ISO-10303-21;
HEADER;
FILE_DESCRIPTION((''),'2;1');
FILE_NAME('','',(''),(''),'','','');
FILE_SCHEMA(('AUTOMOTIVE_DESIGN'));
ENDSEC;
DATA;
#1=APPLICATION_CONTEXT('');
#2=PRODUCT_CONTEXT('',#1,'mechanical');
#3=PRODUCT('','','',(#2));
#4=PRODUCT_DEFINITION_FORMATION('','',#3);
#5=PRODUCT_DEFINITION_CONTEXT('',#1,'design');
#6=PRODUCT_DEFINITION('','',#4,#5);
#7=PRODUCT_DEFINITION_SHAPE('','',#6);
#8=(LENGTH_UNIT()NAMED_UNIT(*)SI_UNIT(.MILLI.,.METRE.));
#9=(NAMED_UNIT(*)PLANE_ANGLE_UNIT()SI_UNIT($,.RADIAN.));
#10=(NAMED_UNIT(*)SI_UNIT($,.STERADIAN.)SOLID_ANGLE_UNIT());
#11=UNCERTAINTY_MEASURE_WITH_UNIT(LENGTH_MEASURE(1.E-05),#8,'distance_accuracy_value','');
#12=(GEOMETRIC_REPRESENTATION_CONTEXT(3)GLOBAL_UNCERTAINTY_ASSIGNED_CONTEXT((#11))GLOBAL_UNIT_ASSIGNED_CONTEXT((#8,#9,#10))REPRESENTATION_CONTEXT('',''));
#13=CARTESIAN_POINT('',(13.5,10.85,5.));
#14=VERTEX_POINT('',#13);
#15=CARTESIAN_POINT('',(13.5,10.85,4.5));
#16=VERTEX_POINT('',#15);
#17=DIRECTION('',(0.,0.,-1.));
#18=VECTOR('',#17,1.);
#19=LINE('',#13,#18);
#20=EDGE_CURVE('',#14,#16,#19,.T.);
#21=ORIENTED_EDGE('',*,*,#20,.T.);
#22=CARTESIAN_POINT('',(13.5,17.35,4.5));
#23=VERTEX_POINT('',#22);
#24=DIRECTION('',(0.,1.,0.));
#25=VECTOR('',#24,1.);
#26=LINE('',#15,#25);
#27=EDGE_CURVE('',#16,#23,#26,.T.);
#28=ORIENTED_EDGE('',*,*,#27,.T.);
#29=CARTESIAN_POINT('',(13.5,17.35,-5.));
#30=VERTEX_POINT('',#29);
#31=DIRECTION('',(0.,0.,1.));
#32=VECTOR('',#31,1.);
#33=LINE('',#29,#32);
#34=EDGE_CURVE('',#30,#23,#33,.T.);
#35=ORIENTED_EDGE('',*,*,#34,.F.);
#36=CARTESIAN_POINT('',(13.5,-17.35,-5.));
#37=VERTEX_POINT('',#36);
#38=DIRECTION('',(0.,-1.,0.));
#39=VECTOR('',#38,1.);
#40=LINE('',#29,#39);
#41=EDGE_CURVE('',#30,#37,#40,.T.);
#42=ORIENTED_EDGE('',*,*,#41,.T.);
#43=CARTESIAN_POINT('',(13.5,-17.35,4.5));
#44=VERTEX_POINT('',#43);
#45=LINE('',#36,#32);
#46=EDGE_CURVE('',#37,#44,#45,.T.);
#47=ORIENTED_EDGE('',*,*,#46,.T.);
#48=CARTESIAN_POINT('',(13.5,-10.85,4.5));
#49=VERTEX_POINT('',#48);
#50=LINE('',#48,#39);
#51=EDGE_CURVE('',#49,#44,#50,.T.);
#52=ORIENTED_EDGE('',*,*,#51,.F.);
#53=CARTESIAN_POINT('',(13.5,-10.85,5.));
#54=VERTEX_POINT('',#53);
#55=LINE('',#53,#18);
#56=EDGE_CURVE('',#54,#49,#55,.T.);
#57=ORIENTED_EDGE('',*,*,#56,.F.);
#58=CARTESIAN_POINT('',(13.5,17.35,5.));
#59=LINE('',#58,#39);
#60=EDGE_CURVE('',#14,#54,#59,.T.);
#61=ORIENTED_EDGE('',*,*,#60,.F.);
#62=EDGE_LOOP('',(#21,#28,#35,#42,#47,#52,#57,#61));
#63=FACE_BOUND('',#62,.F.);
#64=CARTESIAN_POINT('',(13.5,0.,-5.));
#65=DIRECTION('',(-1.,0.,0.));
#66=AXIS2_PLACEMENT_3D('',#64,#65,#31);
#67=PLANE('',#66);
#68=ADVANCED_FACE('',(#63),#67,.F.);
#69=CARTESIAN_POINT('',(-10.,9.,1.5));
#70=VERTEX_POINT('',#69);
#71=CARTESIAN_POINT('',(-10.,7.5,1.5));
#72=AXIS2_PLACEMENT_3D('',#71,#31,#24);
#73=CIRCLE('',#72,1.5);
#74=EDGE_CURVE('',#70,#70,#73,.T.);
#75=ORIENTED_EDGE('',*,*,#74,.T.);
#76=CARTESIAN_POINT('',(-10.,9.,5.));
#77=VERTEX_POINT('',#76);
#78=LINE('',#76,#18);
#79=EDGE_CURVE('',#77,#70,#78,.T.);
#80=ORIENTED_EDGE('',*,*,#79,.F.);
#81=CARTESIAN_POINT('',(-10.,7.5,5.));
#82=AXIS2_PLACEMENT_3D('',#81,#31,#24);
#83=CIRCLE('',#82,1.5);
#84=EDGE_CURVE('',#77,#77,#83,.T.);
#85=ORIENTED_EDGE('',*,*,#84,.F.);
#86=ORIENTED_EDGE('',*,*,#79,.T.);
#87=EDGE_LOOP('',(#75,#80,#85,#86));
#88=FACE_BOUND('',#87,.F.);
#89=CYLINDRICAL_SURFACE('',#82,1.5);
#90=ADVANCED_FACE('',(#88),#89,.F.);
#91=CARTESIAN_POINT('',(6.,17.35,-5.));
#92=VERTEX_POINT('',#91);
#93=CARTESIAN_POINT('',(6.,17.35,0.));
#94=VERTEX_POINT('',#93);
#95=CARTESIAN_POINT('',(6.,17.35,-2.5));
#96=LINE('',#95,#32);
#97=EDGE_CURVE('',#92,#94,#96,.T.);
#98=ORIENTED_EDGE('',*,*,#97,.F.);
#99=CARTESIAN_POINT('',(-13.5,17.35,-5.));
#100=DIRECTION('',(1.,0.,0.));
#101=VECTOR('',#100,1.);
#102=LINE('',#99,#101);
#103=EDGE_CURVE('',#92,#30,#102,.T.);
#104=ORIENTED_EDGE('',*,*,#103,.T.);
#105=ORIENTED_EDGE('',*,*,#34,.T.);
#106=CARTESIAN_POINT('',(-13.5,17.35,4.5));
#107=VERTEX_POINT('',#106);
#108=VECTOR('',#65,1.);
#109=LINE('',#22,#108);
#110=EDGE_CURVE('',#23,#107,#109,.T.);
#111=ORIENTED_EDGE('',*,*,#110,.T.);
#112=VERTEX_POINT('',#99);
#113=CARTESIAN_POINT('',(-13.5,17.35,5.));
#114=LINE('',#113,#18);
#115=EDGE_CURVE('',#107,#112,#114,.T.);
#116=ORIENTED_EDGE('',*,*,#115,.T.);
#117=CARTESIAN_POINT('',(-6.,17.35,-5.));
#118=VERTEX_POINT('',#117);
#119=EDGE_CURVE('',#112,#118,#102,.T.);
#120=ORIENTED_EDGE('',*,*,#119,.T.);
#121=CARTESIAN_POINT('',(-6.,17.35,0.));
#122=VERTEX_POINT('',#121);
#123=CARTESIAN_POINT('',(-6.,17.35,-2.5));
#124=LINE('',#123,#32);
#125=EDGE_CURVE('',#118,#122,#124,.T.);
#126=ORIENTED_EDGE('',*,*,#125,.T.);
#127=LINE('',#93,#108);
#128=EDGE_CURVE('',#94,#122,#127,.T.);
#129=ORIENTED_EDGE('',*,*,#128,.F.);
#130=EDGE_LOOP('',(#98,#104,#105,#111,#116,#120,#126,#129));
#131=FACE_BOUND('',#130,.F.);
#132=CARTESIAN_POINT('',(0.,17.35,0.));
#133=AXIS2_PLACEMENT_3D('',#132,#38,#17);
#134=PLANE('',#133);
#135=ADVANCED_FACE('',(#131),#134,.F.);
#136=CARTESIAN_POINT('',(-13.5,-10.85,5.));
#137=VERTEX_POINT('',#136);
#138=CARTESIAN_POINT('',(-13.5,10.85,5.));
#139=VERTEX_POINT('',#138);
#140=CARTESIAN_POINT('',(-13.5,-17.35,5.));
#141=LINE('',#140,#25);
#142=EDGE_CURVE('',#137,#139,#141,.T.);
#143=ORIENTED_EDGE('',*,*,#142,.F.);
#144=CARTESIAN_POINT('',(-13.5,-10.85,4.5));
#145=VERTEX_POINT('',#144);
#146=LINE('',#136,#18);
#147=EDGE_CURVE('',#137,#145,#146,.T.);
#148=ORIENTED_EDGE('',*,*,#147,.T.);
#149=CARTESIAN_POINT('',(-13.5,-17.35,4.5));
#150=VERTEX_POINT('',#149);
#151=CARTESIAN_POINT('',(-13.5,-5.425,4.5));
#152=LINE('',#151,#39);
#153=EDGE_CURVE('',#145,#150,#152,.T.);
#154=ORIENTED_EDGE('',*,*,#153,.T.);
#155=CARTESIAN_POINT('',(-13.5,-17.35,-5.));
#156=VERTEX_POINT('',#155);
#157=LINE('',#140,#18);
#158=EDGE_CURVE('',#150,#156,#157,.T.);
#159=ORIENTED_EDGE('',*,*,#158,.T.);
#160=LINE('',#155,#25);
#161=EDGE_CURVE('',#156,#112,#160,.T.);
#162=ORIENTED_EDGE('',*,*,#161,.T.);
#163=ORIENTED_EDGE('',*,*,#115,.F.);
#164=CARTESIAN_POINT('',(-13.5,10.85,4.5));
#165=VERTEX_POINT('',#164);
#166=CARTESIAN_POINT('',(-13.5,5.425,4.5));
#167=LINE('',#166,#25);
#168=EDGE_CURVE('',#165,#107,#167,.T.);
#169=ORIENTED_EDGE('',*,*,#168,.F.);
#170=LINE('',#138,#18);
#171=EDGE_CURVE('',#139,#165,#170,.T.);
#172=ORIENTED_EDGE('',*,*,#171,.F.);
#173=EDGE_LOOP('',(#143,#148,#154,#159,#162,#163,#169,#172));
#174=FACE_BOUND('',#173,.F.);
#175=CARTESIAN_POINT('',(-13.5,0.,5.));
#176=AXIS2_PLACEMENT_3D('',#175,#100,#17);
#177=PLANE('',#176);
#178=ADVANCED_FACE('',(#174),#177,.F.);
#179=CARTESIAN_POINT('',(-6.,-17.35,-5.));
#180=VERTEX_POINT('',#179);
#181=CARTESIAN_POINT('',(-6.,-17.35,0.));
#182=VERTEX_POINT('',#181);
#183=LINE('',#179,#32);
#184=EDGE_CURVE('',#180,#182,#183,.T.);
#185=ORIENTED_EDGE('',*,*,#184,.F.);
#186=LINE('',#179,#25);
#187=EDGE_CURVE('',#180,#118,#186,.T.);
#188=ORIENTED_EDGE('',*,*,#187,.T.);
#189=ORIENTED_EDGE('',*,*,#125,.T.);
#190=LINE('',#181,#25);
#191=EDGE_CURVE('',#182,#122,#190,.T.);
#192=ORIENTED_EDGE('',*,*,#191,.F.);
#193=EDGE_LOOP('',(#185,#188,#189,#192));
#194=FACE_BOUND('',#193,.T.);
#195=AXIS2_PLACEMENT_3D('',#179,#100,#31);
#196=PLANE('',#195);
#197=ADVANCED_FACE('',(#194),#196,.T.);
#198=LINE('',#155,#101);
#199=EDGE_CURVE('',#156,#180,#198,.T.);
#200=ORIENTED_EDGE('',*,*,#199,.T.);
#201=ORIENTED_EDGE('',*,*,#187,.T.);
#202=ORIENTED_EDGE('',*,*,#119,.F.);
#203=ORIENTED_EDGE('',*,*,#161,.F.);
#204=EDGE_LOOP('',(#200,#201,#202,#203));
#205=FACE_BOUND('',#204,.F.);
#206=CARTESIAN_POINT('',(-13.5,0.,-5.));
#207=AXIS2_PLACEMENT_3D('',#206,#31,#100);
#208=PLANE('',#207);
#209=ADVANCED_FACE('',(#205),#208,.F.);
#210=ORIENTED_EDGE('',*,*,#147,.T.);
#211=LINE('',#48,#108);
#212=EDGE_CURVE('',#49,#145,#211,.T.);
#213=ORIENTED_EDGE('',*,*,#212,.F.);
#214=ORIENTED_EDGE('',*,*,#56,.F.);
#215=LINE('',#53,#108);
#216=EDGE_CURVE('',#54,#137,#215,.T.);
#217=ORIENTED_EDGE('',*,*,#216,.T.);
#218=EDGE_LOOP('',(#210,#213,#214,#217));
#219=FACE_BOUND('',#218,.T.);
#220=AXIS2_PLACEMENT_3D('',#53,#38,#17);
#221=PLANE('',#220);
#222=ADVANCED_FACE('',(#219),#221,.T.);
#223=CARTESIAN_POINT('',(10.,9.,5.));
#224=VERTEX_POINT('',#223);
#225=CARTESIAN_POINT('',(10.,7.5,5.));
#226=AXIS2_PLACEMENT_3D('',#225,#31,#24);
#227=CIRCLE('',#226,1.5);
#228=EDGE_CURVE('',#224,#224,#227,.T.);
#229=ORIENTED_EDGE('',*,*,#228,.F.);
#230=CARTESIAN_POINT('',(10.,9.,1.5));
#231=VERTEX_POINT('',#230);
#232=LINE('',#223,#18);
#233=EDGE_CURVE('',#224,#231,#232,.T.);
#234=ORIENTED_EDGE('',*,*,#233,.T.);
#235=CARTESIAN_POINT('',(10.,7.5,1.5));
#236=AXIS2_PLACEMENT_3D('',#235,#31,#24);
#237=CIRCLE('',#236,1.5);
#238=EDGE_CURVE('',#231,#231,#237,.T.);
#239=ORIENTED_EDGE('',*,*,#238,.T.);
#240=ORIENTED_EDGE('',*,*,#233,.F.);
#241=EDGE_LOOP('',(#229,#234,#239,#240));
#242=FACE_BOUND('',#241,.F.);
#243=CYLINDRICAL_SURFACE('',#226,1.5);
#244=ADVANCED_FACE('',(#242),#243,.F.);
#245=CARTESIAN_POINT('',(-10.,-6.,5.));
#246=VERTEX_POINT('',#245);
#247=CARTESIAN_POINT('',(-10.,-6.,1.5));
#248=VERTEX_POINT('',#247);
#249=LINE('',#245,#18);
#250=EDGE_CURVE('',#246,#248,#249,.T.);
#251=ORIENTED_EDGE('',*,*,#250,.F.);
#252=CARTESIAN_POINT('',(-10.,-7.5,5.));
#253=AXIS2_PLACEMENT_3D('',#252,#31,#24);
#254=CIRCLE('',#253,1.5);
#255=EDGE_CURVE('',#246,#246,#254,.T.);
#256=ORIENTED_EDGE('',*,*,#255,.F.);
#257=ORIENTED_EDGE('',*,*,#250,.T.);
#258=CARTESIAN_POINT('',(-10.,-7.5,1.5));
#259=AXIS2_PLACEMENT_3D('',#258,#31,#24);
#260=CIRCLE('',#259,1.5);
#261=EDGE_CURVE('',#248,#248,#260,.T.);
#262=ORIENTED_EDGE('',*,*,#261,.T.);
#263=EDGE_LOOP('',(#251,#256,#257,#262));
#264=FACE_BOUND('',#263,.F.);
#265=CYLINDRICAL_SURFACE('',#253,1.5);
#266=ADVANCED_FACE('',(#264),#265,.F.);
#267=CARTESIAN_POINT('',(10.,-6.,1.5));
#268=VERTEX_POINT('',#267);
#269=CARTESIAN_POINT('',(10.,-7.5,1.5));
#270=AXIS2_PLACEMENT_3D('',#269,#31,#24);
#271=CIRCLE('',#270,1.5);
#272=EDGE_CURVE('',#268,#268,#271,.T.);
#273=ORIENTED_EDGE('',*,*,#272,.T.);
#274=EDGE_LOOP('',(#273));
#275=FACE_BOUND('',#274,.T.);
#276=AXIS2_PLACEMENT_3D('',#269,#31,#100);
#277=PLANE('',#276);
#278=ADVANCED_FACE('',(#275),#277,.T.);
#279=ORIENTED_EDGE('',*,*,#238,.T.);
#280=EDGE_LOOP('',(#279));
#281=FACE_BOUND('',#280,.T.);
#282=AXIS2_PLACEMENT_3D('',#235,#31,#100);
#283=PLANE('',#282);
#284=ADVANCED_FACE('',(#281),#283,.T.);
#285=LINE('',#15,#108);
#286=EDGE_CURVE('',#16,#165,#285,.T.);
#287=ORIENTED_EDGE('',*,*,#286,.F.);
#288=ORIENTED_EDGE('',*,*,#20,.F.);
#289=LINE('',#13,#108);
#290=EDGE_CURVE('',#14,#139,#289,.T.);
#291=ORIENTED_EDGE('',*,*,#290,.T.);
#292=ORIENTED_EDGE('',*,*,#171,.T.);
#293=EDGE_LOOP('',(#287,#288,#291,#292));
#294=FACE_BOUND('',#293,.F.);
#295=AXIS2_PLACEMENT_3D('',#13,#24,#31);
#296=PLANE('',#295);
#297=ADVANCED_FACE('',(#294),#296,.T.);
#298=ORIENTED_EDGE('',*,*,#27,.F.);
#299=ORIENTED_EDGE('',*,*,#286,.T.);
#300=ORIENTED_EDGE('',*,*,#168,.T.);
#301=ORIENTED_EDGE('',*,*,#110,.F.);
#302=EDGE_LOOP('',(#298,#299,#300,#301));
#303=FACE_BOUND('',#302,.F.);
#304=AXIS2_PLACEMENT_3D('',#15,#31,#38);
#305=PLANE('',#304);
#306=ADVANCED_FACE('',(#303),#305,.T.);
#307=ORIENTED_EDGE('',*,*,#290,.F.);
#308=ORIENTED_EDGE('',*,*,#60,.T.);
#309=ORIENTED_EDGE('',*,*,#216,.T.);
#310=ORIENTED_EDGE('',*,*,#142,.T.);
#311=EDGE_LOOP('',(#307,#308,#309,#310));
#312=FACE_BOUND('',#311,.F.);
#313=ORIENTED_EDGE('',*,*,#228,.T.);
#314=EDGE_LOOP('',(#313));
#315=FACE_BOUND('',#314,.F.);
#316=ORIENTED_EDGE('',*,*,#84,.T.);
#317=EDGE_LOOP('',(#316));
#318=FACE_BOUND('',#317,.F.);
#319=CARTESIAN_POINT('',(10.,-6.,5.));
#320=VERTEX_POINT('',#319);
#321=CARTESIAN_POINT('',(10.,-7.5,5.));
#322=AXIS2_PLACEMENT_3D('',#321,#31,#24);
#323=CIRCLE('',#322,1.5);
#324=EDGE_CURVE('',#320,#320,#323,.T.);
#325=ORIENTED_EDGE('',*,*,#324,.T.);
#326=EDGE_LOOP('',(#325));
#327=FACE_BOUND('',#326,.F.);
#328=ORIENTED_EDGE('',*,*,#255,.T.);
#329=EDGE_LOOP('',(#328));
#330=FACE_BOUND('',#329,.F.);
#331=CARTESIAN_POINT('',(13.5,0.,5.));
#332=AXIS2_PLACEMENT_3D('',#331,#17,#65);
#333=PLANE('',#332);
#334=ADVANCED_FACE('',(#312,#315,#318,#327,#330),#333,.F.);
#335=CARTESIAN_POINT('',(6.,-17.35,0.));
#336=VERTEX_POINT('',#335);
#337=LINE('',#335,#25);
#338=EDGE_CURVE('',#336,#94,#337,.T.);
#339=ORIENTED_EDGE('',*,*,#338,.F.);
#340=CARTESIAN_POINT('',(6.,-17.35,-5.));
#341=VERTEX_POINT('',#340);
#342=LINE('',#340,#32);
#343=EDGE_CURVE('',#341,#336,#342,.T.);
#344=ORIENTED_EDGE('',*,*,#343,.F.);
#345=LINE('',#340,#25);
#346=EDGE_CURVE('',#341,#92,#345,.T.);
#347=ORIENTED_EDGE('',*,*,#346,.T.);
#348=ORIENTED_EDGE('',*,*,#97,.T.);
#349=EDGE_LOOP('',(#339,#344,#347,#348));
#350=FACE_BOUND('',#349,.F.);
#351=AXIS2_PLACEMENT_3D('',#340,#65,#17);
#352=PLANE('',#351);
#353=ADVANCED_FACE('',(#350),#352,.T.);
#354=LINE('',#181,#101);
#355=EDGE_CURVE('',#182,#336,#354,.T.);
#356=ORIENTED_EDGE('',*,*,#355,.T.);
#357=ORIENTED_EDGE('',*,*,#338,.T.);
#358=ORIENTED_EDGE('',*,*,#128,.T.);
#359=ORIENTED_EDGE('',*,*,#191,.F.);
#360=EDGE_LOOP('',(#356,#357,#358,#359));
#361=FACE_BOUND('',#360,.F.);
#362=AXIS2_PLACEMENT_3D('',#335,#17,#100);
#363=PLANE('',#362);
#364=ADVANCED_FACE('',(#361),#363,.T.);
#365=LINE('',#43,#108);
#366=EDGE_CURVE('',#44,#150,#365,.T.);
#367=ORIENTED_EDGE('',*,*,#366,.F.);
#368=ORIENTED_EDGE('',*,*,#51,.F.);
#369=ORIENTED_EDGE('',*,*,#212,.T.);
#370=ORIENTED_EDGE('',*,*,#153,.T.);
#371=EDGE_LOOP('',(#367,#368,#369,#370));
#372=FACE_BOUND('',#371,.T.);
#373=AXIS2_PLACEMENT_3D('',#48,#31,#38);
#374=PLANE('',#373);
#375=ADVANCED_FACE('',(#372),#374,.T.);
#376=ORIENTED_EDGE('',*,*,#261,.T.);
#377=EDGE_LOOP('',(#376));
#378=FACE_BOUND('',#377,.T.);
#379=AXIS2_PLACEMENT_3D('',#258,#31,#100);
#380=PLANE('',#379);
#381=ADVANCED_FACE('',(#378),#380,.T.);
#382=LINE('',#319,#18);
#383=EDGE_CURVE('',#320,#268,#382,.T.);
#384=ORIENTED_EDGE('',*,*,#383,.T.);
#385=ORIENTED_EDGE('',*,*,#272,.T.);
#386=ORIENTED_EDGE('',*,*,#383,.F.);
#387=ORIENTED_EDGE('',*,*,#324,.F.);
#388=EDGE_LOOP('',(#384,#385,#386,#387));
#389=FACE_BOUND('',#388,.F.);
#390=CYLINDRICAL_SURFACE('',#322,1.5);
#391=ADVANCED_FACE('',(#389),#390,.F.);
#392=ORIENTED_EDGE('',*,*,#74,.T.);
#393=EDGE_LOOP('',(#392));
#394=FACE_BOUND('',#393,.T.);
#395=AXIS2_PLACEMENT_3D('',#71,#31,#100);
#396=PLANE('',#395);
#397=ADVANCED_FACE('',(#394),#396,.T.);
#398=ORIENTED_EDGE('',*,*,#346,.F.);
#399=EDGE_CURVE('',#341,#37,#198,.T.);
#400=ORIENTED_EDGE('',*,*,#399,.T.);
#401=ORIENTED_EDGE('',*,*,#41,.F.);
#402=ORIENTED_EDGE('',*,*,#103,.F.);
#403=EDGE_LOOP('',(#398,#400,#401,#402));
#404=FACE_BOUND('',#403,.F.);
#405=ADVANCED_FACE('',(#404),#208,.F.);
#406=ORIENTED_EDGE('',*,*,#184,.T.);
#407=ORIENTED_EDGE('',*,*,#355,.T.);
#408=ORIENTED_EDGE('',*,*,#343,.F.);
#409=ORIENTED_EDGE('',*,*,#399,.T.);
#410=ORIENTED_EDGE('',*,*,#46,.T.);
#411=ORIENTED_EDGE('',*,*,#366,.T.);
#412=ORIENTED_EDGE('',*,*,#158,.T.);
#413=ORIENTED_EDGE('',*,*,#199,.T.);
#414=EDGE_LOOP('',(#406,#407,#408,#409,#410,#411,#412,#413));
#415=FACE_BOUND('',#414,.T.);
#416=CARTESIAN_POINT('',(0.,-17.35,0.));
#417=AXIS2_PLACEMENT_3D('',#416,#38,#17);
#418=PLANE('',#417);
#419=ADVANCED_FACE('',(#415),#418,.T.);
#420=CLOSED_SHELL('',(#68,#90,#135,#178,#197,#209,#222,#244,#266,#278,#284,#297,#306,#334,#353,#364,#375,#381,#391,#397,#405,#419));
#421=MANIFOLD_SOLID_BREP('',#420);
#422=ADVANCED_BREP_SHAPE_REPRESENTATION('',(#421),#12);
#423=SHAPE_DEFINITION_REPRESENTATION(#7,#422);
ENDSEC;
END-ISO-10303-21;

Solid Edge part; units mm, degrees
sketch "Sketch1" plane through (0, 0, 0) normal (0, -1, 0) x (1, 0, 0)
  line L0 (-13.5, -5) -> (13.5, -5)
  line L1 (13.5, -5) -> (13.5, 5)
  line L2 (13.5, 5) -> (-13.5, 5)
  line L3 (-13.5, 5) -> (-13.5, -5)
  dimension "D1" = 27
  dimension "D2" = 10
extrude "Protrusion1" add sketch "Sketch1" along normal mid plane 34.7
sketch "Sketch2" plane through (13.5, 0, 0) normal (1, 0, 0) x (0, 1, 0)
  line L0 (-17.35, 5) -> (-10.85, 5)
  line L1 (-10.85, 5) -> (-10.85, 4.5)
  line L2 (-10.85, 4.5) -> (-17.35, 4.5)
  line L3 (-17.35, 4.5) -> (-17.35, 5)
  dimension "D1" = 10.85
  dimension "D2" = 0.5
extrude "Cutout1" cut sketch "Sketch2" against normal through all
mirror "Mirror1" about plane through (0, 0, 0) normal (0, -1, 0) of "Cutout1"
sketch "Sketch3" plane through (0, -17.35, -0.25) normal (0, -1, 0) x (1, 0, 0)
  line L0 (0, -4.75) -> (-6, -4.75)
  line L1 (-6, -4.75) -> (-6, 0.25)
  line L2 (-6, 0.25) -> (0, 0.25)
  line L3 (0, 0.25) -> (0, -4.75)
  dimension "D1" = 5
  dimension "D2" = 6
extrude "Cutout3" cut sketch "Sketch3" against normal through all
mirror "Mirror2" about plane through (0, 0, 0) normal (-1, 0, 0) of "Cutout3"
sketch "Sketch4" plane through (0, 0, 5) normal (0, 0, 1) x (0, 1, 0)
  circle A0 centre (-7.5, 10) radius 1.5
  circle A1 centre (7.5, 10) radius 1.5
  circle A2 centre (7.5, -10) radius 1.5
  circle A3 centre (-7.5, -10) radius 1.5
  dimension "D1" = 3
  dimension "D2" = 20
  dimension "D3" = 15
extrude "ExtrudedCutout_5" cut sketch "Sketch4" against normal blind 3.5
